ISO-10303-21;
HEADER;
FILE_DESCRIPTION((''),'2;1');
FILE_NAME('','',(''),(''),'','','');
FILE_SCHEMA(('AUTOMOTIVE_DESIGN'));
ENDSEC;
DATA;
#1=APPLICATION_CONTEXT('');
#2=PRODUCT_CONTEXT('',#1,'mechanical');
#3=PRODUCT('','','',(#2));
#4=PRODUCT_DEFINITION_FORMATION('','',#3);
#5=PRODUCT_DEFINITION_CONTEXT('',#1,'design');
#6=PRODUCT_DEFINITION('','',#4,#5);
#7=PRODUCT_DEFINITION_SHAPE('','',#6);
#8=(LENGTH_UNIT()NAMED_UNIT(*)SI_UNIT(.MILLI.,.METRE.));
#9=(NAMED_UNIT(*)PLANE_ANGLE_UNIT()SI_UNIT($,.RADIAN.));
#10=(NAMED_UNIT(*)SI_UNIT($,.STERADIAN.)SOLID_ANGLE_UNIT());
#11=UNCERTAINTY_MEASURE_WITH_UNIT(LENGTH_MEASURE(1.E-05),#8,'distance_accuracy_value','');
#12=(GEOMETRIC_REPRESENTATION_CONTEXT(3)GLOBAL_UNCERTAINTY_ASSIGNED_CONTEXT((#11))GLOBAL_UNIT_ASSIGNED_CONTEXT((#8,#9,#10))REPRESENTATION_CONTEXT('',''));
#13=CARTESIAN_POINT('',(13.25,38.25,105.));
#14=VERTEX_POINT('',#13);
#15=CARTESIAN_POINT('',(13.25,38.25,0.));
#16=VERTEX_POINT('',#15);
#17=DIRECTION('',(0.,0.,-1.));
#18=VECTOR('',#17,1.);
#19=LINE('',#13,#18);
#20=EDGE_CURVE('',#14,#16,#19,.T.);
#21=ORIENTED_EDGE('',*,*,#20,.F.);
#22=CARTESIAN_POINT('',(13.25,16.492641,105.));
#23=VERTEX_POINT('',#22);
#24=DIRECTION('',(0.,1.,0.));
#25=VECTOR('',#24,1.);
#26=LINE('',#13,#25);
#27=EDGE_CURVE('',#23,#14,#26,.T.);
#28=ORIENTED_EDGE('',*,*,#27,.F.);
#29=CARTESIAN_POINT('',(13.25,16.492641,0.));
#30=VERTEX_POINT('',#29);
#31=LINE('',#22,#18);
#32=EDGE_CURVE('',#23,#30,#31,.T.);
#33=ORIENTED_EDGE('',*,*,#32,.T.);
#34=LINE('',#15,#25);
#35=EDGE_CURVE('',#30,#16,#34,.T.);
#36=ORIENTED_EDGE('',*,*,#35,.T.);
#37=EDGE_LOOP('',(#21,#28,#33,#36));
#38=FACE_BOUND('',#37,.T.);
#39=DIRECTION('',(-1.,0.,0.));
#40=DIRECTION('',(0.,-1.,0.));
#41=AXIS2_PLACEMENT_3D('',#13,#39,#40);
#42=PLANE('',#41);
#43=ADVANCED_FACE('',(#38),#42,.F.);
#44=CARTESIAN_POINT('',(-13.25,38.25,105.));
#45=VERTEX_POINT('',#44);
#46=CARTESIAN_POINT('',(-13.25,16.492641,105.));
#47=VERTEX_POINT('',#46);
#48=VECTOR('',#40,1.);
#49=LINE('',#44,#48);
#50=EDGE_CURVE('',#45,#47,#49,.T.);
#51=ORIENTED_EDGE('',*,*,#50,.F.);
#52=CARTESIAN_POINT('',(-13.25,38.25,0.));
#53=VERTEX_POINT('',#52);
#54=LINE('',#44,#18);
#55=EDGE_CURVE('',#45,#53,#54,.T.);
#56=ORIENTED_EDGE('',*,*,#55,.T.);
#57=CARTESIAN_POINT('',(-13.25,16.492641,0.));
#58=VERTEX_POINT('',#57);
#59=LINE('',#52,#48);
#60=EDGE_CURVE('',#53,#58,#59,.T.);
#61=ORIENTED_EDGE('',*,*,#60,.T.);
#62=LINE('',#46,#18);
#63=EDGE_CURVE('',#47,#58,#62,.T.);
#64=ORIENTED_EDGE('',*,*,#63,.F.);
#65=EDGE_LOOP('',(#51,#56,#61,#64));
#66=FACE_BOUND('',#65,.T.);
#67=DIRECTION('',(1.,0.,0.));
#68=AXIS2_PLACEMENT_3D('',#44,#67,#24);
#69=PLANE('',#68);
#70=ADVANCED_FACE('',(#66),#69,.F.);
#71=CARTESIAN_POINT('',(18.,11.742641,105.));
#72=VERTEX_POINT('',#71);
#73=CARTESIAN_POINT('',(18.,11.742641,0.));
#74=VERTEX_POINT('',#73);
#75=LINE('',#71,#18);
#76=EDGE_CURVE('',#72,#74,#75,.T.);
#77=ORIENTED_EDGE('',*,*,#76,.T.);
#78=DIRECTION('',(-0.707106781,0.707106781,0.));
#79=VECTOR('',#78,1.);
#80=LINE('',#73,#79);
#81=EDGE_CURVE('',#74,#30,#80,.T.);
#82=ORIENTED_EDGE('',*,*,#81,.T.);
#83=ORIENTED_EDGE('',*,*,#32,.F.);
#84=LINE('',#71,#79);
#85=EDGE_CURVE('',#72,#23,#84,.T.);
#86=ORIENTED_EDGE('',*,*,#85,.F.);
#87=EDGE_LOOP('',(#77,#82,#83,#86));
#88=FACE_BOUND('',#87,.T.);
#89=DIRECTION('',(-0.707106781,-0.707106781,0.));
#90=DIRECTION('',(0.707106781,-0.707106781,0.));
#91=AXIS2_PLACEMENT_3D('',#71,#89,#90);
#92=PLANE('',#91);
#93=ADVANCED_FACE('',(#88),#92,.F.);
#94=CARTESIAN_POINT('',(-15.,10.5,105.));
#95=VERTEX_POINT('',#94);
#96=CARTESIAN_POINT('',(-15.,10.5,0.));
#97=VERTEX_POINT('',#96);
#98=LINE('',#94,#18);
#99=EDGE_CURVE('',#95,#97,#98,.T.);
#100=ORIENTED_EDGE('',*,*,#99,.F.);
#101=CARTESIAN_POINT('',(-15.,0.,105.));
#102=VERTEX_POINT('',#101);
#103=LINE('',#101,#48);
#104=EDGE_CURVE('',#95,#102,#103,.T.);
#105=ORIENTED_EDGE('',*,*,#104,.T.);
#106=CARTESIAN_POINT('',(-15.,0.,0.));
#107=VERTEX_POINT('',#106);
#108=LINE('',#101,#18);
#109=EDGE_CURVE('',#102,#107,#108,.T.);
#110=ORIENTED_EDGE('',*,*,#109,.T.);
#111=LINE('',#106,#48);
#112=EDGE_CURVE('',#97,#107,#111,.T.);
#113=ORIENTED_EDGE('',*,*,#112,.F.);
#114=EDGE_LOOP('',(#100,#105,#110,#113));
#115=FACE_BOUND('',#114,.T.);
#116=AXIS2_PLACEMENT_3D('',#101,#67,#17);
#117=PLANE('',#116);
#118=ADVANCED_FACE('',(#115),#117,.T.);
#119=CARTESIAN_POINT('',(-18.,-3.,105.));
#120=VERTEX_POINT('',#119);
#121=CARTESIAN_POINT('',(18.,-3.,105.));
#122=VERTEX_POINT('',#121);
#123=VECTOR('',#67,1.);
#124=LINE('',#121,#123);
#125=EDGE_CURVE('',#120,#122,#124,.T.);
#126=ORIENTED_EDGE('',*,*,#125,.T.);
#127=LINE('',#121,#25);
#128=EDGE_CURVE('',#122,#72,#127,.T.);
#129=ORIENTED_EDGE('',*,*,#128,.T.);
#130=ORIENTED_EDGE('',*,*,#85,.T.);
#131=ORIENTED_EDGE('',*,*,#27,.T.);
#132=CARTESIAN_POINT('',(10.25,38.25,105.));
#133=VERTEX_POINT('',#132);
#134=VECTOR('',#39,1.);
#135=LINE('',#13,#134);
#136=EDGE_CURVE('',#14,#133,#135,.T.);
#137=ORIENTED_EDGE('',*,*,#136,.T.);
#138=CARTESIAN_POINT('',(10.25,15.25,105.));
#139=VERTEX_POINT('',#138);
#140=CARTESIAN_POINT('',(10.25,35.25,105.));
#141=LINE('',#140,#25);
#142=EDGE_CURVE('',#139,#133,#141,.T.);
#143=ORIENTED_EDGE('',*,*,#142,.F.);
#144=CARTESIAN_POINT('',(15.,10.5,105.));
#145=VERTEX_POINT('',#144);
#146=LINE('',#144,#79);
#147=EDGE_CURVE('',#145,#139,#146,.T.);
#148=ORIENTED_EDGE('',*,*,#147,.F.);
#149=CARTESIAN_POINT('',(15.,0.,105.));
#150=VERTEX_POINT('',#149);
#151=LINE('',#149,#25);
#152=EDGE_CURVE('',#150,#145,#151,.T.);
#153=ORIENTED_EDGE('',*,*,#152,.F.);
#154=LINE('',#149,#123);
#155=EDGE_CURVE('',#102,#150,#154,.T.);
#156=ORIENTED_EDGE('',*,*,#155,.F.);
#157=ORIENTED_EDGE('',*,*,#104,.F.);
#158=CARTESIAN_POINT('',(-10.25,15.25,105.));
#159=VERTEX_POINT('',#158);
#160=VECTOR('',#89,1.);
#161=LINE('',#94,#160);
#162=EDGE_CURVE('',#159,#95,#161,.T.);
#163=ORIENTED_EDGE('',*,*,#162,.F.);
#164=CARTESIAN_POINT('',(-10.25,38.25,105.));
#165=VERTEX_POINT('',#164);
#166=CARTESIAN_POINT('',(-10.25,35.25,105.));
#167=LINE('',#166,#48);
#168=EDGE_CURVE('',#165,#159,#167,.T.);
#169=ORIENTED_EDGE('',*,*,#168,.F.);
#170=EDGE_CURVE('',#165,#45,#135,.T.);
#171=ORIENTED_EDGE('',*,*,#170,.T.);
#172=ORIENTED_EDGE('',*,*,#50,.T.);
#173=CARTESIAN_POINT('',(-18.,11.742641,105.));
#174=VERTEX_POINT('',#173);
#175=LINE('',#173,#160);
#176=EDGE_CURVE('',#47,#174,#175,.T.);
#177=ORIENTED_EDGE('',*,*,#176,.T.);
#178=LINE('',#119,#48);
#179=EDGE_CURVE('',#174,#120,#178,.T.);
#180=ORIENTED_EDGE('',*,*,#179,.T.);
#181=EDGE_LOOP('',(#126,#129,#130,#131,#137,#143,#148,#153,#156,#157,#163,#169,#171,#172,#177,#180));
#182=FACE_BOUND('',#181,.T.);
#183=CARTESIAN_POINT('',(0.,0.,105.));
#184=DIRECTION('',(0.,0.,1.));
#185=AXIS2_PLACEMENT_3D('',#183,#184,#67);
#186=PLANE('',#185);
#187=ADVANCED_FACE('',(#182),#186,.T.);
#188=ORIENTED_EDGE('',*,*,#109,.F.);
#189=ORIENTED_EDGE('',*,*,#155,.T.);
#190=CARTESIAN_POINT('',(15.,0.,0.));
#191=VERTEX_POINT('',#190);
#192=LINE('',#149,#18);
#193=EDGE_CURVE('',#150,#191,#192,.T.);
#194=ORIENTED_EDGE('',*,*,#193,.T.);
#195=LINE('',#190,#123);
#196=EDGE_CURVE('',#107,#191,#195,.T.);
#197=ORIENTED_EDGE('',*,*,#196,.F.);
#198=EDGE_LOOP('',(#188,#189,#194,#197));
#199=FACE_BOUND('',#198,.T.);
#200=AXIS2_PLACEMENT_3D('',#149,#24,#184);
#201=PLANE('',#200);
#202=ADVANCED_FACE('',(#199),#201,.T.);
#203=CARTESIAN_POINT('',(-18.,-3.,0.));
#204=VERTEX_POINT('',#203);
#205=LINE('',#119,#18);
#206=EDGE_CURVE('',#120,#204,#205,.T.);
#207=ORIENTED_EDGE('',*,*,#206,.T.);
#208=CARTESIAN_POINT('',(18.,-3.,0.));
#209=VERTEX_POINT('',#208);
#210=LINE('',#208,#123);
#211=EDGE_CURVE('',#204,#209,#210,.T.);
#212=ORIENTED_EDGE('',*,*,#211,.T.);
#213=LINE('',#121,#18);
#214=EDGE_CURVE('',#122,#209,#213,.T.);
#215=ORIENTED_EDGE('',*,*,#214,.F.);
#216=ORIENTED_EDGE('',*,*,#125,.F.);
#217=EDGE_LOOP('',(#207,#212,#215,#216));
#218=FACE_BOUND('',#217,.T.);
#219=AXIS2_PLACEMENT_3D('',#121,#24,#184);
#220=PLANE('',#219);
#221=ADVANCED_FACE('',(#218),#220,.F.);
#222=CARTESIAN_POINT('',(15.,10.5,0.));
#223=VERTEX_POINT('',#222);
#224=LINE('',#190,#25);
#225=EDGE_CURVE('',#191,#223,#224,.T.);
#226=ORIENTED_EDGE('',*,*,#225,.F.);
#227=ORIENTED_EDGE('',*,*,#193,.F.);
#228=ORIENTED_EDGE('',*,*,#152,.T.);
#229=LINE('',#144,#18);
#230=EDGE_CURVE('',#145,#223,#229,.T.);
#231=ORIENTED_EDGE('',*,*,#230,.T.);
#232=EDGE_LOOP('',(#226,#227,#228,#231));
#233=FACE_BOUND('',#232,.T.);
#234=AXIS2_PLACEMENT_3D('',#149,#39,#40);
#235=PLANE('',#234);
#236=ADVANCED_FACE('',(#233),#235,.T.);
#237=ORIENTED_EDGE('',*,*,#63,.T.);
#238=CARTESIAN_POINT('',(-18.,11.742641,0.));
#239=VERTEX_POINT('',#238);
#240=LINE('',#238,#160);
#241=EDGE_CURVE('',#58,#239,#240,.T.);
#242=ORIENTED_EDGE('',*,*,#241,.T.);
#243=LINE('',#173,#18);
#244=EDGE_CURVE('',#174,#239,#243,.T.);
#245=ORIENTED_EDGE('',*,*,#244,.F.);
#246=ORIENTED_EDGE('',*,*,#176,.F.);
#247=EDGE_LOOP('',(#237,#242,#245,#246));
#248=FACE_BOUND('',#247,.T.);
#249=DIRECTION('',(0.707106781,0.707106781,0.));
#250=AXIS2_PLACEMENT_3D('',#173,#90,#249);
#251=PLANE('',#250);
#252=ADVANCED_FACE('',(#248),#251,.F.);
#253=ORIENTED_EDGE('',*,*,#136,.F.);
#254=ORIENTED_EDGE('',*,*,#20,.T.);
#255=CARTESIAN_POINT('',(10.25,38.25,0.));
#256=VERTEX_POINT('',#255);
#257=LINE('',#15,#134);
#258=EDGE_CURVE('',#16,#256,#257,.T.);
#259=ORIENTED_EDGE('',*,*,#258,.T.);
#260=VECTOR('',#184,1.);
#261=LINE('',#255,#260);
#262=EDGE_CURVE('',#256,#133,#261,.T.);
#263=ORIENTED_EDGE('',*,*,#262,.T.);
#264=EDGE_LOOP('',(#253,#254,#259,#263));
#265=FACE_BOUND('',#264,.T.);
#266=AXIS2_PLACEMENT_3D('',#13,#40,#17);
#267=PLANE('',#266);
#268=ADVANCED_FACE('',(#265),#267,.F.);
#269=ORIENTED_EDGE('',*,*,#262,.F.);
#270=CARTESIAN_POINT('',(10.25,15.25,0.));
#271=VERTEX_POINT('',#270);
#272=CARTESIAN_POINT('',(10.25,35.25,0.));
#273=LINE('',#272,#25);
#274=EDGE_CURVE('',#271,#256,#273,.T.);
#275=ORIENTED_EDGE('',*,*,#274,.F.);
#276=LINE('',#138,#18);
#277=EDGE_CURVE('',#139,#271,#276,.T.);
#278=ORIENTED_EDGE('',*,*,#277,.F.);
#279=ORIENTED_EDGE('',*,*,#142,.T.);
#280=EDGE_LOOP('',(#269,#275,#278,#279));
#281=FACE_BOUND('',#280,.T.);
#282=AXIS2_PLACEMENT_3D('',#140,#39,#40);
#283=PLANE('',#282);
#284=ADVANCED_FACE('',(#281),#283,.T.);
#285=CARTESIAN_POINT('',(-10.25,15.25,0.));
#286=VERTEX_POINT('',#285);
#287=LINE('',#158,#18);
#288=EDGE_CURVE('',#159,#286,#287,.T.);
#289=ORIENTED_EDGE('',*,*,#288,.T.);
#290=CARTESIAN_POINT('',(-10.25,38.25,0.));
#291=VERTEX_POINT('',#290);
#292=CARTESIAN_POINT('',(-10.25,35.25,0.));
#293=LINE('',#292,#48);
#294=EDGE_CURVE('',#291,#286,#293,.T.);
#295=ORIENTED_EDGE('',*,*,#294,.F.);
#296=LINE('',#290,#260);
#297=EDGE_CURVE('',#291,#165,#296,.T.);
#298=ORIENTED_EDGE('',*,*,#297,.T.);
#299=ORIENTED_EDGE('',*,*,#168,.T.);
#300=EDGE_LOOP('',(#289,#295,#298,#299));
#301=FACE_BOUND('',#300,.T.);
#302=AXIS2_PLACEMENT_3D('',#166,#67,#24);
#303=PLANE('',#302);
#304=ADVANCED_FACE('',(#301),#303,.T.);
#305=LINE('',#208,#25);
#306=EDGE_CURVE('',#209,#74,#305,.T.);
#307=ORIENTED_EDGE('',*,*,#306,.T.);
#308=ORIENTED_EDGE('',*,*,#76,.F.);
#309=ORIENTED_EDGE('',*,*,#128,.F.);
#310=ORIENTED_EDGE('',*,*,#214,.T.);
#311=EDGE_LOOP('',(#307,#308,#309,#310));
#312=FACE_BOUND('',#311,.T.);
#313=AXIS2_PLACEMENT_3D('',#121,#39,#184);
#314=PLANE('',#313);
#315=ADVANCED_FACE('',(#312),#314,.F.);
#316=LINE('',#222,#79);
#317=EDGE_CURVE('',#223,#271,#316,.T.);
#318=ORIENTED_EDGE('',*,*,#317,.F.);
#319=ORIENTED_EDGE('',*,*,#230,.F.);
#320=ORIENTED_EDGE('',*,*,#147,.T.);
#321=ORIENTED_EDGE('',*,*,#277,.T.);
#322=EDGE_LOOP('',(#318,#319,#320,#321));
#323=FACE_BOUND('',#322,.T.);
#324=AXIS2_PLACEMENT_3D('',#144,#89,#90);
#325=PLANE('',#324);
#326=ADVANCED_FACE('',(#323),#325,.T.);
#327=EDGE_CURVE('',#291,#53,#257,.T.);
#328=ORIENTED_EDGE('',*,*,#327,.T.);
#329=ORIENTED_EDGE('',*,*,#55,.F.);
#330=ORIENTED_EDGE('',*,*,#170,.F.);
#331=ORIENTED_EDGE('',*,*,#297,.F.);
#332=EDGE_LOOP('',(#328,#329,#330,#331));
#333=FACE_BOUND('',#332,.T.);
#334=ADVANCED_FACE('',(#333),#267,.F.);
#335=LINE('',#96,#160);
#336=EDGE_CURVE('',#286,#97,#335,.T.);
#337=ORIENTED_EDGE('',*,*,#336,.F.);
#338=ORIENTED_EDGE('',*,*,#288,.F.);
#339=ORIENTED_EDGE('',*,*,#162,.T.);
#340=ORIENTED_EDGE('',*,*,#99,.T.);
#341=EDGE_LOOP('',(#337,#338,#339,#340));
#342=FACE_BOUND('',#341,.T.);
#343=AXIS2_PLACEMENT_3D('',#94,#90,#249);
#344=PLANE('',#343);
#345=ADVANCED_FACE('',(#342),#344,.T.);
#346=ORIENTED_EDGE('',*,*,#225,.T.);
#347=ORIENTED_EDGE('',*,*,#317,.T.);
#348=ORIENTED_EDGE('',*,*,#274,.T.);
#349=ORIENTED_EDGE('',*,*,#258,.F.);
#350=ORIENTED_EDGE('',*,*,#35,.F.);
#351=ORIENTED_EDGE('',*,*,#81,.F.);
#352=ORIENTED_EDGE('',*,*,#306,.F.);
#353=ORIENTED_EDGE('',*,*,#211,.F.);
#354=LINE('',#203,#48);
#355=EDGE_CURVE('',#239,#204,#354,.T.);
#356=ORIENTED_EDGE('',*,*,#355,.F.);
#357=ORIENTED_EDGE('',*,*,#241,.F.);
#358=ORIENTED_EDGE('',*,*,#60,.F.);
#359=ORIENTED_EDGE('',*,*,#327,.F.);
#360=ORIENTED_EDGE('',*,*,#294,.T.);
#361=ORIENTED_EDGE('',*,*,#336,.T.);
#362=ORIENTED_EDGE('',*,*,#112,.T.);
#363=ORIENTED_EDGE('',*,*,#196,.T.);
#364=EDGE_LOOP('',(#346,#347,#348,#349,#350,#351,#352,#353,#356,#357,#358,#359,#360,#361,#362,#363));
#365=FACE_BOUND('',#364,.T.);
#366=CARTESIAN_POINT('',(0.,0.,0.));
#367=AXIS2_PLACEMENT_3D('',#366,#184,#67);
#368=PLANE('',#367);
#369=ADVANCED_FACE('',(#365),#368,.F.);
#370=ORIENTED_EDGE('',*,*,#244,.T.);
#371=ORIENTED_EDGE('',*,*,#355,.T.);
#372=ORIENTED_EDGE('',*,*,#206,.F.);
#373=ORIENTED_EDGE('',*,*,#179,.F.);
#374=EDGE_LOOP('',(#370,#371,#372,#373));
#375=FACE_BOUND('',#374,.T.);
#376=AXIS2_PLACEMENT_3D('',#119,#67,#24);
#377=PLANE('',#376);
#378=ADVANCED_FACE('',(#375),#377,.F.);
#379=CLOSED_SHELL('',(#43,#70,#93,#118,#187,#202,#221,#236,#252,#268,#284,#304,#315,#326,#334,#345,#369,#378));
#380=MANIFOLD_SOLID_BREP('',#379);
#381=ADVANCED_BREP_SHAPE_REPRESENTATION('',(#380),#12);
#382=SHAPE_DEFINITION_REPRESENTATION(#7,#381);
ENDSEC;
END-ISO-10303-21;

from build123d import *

# Parameters (mm, degrees)
BOSS_EXTRUDE1_DEPTH     = 105
SKETCH2_W               = 20.5
SKETCH2_H               = 3
CUT_EXTRUDE1_DEPTH      = 1
CUT_EXTRUDE1_DEPTH_BACK = 106


with BuildPart() as part:
    # Sketch1 → Boss-Extrude1 (new body)
    with BuildSketch(Plane.XY):
        Polygon((18, 11.742640687), (13.25, 16.492640687), (13.25, 38.25), (-13.25, 38.25), (-13.25, 16.492640687), (-18, 11.742640687), (-18, -3), (18, -3), align=None)
        Polygon((15, 0), (-15, 0), (-15, 10.5), (-10.25, 15.25), (-10.25, 35.25), (10.25, 35.25), (10.25, 15.25), (15, 10.5), align=None, mode=Mode.SUBTRACT)
    extrude(amount=BOSS_EXTRUDE1_DEPTH)

    # Sketch2 → Cut-Extrude1 (cut, two sides)
    with BuildSketch(Plane.XY.offset(105)) as cut_extrude1_sk:
        with Locations((0, 36.75)):
            Rectangle(SKETCH2_W, SKETCH2_H)
    extrude(amount=CUT_EXTRUDE1_DEPTH, mode=Mode.SUBTRACT)
    extrude(cut_extrude1_sk.sketch, amount=-CUT_EXTRUDE1_DEPTH_BACK, mode=Mode.SUBTRACT)


solid = part.part
